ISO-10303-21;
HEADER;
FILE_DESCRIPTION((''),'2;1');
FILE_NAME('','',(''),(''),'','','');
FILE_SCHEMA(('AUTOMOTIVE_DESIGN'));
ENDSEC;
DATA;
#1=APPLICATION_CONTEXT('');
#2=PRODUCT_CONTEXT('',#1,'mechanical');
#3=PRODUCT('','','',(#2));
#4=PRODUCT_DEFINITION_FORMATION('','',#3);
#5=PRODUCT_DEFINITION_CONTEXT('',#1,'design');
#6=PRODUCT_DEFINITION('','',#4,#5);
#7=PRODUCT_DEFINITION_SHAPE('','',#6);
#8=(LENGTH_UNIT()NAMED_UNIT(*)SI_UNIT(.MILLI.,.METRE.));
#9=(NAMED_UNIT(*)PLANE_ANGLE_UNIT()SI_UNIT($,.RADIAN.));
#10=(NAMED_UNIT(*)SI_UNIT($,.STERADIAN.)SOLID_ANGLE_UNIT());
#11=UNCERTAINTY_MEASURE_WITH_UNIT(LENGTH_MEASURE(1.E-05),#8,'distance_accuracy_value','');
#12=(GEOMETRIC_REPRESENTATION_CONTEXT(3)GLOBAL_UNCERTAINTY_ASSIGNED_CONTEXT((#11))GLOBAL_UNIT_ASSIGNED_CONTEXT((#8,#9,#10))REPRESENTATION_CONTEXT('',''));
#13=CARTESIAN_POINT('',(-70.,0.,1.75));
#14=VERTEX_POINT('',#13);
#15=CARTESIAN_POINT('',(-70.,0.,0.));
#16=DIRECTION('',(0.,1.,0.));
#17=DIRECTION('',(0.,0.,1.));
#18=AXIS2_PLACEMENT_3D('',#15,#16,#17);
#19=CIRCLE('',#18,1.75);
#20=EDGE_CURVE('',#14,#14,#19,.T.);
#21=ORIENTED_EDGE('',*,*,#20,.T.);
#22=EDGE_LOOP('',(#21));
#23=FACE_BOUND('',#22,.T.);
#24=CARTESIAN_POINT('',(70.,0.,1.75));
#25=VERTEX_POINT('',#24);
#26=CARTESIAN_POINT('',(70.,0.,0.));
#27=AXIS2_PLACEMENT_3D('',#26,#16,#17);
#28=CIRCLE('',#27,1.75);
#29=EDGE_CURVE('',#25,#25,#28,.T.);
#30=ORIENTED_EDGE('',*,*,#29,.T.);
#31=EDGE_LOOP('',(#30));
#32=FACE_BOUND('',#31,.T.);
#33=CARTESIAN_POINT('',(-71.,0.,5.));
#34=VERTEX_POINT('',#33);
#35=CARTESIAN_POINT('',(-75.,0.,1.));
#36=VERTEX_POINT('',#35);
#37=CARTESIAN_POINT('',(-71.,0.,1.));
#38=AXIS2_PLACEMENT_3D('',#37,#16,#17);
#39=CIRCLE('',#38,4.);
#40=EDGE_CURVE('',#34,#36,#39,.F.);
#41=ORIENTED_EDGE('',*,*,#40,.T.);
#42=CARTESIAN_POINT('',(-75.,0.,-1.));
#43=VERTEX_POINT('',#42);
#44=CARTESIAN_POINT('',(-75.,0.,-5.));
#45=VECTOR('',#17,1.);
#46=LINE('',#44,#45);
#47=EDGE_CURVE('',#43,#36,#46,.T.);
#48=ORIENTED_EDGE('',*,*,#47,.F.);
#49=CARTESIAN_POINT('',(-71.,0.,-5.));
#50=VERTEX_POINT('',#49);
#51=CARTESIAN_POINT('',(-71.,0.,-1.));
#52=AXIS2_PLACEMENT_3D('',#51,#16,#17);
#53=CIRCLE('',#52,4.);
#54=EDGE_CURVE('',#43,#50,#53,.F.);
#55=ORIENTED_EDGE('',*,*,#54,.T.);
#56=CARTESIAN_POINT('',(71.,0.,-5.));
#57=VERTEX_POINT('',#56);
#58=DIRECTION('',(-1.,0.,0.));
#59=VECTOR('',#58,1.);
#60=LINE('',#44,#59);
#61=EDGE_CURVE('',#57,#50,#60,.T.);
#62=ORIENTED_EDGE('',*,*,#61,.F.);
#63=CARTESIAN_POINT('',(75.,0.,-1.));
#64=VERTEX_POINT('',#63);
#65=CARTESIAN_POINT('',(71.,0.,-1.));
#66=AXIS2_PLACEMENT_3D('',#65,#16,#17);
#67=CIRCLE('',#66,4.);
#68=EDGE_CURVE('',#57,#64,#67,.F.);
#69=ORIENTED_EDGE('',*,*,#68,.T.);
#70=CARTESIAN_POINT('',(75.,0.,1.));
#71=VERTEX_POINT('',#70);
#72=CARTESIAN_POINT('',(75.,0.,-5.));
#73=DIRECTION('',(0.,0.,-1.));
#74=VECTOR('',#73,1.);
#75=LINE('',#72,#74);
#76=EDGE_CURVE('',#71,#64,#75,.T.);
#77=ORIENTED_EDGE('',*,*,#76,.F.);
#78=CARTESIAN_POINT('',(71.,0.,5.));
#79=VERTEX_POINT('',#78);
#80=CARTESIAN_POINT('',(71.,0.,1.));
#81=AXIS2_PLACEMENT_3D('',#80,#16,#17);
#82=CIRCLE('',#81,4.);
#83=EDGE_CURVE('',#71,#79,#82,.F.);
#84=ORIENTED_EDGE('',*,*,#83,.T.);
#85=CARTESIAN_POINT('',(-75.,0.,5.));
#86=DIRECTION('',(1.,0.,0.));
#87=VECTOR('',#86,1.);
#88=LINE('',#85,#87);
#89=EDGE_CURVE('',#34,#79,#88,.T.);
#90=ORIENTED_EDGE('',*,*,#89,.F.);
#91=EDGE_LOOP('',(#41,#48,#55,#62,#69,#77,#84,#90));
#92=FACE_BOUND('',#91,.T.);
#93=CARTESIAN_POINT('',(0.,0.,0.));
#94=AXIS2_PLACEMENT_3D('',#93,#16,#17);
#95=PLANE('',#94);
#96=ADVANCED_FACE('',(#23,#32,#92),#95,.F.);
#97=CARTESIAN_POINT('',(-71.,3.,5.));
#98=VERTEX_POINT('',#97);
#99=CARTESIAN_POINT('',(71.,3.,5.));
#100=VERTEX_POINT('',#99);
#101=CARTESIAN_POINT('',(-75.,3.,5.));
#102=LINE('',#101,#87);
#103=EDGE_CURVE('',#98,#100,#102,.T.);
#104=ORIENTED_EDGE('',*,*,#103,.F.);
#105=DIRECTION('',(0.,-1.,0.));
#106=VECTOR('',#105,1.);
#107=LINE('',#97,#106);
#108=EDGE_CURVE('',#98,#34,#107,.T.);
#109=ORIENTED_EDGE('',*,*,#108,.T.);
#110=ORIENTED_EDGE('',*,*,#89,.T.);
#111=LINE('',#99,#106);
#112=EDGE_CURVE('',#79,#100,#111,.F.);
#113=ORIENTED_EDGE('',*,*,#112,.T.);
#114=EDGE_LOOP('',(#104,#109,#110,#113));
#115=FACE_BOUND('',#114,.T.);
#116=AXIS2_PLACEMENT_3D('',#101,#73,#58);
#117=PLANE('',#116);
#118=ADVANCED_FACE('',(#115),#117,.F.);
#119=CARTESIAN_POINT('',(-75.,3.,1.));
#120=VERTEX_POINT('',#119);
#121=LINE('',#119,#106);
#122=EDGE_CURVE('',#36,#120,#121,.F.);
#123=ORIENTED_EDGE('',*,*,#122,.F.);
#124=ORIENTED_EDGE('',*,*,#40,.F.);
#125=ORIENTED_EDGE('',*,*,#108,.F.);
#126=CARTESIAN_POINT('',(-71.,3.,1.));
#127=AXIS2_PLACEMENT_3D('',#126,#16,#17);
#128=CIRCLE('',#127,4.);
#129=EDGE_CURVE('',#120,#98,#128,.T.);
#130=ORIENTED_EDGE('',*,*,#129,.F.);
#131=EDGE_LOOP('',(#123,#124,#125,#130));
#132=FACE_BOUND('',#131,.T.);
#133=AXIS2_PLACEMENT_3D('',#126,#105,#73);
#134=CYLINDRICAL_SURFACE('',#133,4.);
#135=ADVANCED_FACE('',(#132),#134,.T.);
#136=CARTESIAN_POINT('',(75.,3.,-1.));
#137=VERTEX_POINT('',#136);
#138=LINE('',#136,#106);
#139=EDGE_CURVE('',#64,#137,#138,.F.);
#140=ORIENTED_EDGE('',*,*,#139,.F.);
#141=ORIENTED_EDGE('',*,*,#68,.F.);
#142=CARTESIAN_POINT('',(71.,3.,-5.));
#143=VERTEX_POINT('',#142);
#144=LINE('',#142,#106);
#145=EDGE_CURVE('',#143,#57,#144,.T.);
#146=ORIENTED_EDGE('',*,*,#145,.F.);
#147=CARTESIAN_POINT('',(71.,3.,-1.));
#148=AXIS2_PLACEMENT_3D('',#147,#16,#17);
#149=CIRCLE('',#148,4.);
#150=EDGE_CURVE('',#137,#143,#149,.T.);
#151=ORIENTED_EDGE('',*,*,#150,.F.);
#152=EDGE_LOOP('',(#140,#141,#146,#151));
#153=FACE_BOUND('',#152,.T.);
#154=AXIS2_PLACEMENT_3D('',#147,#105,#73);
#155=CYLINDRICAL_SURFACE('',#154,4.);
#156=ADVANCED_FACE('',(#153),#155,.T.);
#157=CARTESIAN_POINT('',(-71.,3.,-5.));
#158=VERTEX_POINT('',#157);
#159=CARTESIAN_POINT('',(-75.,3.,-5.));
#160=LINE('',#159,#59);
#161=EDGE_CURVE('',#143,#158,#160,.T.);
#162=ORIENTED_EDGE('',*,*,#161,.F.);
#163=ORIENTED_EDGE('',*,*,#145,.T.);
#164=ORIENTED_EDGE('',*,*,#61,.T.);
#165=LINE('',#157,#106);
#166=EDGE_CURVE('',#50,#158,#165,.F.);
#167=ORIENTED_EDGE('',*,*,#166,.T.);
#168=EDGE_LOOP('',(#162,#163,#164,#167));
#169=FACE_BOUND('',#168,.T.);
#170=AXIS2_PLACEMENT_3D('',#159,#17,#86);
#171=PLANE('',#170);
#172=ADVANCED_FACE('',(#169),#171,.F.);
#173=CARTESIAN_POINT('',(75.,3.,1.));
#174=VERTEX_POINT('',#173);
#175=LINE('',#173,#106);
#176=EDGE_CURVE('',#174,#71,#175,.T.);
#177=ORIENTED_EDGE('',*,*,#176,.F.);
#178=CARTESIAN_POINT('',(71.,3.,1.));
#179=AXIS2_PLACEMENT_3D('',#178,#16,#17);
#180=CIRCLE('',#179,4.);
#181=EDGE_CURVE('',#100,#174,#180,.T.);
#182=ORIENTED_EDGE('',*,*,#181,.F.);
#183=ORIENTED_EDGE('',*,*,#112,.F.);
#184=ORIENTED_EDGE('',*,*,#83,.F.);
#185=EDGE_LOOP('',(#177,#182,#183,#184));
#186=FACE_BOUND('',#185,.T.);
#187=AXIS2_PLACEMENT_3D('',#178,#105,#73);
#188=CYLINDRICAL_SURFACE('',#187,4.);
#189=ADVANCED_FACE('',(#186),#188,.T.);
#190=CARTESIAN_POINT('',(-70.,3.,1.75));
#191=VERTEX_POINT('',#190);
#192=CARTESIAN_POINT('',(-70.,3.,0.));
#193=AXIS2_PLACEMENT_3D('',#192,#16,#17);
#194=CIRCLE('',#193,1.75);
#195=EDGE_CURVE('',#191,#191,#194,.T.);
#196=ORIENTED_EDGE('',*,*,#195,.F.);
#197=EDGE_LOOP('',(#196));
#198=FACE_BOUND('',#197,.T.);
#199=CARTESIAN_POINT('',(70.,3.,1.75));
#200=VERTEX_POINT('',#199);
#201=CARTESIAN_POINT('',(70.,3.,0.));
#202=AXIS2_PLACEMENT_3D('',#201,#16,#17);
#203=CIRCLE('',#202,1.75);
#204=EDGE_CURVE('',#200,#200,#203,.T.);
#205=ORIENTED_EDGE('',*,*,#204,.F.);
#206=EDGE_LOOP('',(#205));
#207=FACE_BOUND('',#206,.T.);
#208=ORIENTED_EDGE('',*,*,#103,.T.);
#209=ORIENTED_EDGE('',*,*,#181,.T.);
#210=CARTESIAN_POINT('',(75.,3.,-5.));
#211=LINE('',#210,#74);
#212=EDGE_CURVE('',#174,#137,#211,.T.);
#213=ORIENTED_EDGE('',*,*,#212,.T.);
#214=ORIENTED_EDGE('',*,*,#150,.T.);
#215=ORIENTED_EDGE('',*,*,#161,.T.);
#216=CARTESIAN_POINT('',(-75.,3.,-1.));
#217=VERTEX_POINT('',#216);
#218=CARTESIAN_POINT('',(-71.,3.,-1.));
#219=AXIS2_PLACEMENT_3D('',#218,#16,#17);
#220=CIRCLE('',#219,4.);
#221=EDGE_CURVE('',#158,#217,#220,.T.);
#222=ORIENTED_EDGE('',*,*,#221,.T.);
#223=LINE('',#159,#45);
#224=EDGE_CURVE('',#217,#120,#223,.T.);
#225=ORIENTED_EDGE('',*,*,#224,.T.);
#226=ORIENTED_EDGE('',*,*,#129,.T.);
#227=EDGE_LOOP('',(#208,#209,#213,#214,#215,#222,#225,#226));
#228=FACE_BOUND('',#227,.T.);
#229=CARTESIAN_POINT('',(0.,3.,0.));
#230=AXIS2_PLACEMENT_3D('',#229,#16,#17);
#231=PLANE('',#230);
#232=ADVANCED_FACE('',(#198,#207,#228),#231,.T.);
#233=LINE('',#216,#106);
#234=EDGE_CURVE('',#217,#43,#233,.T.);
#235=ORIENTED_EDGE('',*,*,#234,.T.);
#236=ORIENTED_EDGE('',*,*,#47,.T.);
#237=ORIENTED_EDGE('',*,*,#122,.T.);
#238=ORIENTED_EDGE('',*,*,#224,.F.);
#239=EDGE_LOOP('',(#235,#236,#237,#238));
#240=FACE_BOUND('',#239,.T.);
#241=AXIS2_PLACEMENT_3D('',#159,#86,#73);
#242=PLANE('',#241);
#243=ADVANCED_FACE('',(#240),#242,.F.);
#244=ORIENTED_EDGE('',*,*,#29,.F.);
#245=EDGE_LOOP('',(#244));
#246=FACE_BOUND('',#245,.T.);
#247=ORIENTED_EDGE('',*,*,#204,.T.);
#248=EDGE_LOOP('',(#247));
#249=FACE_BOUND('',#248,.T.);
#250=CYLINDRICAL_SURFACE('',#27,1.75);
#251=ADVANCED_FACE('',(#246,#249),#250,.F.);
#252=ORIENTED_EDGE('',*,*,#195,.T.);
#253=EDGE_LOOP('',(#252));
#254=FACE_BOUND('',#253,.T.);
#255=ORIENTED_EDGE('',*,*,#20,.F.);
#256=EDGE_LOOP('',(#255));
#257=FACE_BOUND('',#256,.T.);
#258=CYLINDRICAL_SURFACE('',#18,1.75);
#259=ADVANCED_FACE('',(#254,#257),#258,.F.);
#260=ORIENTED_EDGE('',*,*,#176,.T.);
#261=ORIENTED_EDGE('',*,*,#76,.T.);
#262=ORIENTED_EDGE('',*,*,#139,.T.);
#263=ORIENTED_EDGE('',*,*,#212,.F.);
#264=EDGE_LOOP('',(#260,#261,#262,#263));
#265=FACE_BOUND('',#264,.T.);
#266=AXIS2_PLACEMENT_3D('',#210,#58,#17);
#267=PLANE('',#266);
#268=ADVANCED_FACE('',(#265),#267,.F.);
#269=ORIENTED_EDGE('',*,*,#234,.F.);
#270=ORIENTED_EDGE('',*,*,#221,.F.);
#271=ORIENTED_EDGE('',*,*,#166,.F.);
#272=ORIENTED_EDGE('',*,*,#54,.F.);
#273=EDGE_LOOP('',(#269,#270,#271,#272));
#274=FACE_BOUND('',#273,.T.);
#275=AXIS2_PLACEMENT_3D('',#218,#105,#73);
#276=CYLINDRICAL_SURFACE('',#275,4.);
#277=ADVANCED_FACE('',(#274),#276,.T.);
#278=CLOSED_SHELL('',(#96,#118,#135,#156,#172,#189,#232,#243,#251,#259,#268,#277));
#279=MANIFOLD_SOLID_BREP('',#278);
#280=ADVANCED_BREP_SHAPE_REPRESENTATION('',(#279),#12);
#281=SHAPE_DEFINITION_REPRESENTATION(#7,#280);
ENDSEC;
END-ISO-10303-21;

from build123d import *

# Parameters (mm, degrees)
SKETCH1_W           = 150
SKETCH1_H           = 10
BOSS_EXTRUDE1_DEPTH = 3
FILLET1_R           = 4
SKETCH4_R           = 1.75
CUT_EXTRUDE1_DEPTH  = 76.226325179


with BuildPart() as part:
    # Sketch1 → Boss-Extrude1 (new body)
    with BuildSketch(Plane(origin=(0, 0, 0), x_dir=(1, 0, 0), z_dir=(0, 1, 0))):
        Rectangle(SKETCH1_W, SKETCH1_H)
    extrude(amount=BOSS_EXTRUDE1_DEPTH)

    # Fillet1
    fillet1_edges = [part.edges().sort_by_distance(p)[0] for p in [
        (75, 1.5, 5),
        (-75, 1.5, 5),
        (-75, 1.5, -5),
        (75, 1.5, -5),
    ]]
    fillet(fillet1_edges, radius=FILLET1_R)

    # Sketch4 → Cut-Extrude1 (cut, through all)
    with BuildSketch(Plane(origin=(0, 3, 0), x_dir=(1, 0, 0), z_dir=(0, 1, 0))):
        with Locations(Location((-70, 0, 0), (0, 0, 270))):
            Circle(SKETCH4_R)
        with Locations(Location((70, 0, 0), (0, 0, 270))):
            Circle(SKETCH4_R)
    extrude(amount=-CUT_EXTRUDE1_DEPTH, mode=Mode.SUBTRACT)


solid = part.part
